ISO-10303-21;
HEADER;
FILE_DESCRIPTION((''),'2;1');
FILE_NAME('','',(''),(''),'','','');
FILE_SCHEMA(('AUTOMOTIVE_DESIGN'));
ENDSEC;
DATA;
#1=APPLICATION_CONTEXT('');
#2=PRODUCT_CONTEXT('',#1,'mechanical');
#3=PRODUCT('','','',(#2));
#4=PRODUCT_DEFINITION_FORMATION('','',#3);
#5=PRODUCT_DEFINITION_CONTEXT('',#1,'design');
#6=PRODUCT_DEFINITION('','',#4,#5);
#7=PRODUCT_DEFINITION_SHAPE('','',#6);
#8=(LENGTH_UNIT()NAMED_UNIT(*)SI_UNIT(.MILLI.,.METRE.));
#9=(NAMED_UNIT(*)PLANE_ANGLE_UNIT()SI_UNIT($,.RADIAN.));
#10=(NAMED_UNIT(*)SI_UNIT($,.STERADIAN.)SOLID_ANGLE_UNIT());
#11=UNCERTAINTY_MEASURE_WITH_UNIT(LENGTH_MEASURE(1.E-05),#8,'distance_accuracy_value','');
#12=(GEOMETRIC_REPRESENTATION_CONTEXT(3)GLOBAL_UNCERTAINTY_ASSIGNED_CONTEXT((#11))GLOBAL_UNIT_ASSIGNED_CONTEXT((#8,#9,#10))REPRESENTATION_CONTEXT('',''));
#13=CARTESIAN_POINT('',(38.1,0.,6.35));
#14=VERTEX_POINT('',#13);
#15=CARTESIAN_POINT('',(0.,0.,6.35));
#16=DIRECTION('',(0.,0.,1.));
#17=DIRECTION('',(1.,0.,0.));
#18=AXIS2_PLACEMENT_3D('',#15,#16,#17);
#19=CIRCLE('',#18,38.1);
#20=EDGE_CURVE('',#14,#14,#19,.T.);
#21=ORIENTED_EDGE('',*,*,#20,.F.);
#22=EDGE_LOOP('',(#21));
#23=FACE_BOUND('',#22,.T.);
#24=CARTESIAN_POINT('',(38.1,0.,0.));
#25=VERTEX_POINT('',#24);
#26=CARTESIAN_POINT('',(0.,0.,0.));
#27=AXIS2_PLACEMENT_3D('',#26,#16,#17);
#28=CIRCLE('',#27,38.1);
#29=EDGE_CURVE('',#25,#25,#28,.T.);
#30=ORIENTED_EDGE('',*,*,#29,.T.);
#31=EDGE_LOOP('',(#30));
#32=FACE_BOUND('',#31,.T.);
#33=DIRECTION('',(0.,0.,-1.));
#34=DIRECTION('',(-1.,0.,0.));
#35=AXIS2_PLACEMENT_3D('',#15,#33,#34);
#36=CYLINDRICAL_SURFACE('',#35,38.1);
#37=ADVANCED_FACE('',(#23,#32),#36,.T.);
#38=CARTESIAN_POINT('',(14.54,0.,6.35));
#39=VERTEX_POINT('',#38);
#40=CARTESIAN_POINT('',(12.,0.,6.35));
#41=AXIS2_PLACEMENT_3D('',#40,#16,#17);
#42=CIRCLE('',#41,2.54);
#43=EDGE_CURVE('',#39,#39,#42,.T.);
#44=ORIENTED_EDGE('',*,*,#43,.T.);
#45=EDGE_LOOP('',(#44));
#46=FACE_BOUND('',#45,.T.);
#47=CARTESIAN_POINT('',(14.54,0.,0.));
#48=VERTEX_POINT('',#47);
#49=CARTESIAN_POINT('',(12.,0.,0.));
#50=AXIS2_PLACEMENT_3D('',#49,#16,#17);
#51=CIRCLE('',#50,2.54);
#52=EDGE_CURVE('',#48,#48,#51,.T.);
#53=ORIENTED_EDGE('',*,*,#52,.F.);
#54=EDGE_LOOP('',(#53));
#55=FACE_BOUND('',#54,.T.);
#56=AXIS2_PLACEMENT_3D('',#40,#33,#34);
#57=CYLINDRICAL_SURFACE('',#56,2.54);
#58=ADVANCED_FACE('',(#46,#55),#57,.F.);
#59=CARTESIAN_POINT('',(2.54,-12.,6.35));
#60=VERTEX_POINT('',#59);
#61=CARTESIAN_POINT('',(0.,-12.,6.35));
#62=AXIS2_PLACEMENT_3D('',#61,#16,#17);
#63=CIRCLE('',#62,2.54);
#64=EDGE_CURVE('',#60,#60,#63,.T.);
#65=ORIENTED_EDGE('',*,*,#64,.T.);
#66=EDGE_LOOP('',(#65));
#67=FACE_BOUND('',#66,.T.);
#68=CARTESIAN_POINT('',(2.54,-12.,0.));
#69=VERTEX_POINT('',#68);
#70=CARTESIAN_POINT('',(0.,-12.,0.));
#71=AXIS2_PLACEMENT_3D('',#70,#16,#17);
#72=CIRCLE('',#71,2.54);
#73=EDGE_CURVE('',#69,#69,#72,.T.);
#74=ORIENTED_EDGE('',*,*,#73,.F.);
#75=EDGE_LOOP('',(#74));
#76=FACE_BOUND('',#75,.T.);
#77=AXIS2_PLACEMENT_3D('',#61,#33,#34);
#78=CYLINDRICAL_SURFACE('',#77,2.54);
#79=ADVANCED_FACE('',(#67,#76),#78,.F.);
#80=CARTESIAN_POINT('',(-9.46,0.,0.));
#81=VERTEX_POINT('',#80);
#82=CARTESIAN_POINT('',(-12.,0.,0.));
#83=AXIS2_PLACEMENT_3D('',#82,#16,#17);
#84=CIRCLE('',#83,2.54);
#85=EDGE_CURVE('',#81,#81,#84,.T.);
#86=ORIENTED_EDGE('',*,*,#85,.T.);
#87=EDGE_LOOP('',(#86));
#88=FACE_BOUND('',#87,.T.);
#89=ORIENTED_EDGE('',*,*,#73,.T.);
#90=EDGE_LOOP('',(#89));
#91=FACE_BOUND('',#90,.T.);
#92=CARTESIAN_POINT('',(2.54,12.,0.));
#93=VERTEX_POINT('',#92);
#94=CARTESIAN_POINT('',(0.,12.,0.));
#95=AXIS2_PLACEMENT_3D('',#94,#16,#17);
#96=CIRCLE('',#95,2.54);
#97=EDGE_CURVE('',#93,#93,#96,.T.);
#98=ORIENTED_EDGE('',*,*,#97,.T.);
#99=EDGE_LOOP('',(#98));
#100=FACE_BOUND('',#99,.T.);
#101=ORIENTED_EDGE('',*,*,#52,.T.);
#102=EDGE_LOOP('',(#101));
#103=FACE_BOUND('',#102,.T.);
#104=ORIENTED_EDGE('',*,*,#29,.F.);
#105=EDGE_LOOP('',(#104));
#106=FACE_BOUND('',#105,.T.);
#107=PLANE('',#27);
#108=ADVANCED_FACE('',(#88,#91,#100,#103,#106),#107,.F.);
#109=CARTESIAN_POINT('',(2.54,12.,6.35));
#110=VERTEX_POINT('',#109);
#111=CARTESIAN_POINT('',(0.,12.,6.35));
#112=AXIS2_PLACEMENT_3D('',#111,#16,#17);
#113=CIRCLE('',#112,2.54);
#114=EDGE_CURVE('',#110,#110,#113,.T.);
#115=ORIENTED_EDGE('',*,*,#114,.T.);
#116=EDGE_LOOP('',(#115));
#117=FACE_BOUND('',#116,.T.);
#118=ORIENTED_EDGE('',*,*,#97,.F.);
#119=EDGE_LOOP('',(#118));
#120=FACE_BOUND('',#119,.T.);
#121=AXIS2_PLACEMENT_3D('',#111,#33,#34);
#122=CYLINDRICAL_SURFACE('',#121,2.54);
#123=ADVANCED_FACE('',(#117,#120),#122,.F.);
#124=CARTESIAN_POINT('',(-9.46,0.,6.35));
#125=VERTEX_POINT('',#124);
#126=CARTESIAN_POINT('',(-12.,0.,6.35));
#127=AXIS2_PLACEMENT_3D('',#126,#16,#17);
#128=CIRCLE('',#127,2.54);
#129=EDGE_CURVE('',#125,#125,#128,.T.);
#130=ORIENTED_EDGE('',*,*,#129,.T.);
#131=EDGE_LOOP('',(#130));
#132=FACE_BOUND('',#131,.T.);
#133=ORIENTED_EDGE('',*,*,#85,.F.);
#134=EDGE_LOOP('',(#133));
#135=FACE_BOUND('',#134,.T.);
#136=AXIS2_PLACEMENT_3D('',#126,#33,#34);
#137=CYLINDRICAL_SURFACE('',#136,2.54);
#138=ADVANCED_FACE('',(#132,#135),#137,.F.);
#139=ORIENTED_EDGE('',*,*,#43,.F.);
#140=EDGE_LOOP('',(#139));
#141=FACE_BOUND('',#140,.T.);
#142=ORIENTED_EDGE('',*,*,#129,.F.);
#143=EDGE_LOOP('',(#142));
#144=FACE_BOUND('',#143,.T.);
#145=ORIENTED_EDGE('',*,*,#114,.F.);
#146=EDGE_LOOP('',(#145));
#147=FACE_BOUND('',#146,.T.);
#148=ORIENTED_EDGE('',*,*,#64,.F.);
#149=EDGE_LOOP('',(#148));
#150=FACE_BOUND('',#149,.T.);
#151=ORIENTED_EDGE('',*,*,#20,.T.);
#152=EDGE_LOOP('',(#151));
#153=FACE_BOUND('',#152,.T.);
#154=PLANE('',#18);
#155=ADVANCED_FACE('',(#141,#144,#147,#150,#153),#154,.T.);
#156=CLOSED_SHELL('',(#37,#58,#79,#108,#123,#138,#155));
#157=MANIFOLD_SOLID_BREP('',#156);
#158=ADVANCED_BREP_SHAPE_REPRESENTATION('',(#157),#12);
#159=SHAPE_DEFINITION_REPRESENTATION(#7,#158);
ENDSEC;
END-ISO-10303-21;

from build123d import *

# Parameters (mm, degrees)
SKETCH1_R           = 38.1
SKETCH1_R_2         = 2.54
BOSS_EXTRUDE1_DEPTH = 6.35


with BuildPart() as part:
    # Sketch1 → Boss-Extrude1 (new body)
    with BuildSketch(Plane.XY):
        Circle(SKETCH1_R)
        with Locations((12, 0)):
            Circle(SKETCH1_R_2, mode=Mode.SUBTRACT)
        with Locations((0, -12)):
            Circle(SKETCH1_R_2, mode=Mode.SUBTRACT)
        with Locations((-12, 0)):
            Circle(SKETCH1_R_2, mode=Mode.SUBTRACT)
        with Locations((0, 12)):
            Circle(SKETCH1_R_2, mode=Mode.SUBTRACT)
    extrude(amount=BOSS_EXTRUDE1_DEPTH)


solid = part.part
